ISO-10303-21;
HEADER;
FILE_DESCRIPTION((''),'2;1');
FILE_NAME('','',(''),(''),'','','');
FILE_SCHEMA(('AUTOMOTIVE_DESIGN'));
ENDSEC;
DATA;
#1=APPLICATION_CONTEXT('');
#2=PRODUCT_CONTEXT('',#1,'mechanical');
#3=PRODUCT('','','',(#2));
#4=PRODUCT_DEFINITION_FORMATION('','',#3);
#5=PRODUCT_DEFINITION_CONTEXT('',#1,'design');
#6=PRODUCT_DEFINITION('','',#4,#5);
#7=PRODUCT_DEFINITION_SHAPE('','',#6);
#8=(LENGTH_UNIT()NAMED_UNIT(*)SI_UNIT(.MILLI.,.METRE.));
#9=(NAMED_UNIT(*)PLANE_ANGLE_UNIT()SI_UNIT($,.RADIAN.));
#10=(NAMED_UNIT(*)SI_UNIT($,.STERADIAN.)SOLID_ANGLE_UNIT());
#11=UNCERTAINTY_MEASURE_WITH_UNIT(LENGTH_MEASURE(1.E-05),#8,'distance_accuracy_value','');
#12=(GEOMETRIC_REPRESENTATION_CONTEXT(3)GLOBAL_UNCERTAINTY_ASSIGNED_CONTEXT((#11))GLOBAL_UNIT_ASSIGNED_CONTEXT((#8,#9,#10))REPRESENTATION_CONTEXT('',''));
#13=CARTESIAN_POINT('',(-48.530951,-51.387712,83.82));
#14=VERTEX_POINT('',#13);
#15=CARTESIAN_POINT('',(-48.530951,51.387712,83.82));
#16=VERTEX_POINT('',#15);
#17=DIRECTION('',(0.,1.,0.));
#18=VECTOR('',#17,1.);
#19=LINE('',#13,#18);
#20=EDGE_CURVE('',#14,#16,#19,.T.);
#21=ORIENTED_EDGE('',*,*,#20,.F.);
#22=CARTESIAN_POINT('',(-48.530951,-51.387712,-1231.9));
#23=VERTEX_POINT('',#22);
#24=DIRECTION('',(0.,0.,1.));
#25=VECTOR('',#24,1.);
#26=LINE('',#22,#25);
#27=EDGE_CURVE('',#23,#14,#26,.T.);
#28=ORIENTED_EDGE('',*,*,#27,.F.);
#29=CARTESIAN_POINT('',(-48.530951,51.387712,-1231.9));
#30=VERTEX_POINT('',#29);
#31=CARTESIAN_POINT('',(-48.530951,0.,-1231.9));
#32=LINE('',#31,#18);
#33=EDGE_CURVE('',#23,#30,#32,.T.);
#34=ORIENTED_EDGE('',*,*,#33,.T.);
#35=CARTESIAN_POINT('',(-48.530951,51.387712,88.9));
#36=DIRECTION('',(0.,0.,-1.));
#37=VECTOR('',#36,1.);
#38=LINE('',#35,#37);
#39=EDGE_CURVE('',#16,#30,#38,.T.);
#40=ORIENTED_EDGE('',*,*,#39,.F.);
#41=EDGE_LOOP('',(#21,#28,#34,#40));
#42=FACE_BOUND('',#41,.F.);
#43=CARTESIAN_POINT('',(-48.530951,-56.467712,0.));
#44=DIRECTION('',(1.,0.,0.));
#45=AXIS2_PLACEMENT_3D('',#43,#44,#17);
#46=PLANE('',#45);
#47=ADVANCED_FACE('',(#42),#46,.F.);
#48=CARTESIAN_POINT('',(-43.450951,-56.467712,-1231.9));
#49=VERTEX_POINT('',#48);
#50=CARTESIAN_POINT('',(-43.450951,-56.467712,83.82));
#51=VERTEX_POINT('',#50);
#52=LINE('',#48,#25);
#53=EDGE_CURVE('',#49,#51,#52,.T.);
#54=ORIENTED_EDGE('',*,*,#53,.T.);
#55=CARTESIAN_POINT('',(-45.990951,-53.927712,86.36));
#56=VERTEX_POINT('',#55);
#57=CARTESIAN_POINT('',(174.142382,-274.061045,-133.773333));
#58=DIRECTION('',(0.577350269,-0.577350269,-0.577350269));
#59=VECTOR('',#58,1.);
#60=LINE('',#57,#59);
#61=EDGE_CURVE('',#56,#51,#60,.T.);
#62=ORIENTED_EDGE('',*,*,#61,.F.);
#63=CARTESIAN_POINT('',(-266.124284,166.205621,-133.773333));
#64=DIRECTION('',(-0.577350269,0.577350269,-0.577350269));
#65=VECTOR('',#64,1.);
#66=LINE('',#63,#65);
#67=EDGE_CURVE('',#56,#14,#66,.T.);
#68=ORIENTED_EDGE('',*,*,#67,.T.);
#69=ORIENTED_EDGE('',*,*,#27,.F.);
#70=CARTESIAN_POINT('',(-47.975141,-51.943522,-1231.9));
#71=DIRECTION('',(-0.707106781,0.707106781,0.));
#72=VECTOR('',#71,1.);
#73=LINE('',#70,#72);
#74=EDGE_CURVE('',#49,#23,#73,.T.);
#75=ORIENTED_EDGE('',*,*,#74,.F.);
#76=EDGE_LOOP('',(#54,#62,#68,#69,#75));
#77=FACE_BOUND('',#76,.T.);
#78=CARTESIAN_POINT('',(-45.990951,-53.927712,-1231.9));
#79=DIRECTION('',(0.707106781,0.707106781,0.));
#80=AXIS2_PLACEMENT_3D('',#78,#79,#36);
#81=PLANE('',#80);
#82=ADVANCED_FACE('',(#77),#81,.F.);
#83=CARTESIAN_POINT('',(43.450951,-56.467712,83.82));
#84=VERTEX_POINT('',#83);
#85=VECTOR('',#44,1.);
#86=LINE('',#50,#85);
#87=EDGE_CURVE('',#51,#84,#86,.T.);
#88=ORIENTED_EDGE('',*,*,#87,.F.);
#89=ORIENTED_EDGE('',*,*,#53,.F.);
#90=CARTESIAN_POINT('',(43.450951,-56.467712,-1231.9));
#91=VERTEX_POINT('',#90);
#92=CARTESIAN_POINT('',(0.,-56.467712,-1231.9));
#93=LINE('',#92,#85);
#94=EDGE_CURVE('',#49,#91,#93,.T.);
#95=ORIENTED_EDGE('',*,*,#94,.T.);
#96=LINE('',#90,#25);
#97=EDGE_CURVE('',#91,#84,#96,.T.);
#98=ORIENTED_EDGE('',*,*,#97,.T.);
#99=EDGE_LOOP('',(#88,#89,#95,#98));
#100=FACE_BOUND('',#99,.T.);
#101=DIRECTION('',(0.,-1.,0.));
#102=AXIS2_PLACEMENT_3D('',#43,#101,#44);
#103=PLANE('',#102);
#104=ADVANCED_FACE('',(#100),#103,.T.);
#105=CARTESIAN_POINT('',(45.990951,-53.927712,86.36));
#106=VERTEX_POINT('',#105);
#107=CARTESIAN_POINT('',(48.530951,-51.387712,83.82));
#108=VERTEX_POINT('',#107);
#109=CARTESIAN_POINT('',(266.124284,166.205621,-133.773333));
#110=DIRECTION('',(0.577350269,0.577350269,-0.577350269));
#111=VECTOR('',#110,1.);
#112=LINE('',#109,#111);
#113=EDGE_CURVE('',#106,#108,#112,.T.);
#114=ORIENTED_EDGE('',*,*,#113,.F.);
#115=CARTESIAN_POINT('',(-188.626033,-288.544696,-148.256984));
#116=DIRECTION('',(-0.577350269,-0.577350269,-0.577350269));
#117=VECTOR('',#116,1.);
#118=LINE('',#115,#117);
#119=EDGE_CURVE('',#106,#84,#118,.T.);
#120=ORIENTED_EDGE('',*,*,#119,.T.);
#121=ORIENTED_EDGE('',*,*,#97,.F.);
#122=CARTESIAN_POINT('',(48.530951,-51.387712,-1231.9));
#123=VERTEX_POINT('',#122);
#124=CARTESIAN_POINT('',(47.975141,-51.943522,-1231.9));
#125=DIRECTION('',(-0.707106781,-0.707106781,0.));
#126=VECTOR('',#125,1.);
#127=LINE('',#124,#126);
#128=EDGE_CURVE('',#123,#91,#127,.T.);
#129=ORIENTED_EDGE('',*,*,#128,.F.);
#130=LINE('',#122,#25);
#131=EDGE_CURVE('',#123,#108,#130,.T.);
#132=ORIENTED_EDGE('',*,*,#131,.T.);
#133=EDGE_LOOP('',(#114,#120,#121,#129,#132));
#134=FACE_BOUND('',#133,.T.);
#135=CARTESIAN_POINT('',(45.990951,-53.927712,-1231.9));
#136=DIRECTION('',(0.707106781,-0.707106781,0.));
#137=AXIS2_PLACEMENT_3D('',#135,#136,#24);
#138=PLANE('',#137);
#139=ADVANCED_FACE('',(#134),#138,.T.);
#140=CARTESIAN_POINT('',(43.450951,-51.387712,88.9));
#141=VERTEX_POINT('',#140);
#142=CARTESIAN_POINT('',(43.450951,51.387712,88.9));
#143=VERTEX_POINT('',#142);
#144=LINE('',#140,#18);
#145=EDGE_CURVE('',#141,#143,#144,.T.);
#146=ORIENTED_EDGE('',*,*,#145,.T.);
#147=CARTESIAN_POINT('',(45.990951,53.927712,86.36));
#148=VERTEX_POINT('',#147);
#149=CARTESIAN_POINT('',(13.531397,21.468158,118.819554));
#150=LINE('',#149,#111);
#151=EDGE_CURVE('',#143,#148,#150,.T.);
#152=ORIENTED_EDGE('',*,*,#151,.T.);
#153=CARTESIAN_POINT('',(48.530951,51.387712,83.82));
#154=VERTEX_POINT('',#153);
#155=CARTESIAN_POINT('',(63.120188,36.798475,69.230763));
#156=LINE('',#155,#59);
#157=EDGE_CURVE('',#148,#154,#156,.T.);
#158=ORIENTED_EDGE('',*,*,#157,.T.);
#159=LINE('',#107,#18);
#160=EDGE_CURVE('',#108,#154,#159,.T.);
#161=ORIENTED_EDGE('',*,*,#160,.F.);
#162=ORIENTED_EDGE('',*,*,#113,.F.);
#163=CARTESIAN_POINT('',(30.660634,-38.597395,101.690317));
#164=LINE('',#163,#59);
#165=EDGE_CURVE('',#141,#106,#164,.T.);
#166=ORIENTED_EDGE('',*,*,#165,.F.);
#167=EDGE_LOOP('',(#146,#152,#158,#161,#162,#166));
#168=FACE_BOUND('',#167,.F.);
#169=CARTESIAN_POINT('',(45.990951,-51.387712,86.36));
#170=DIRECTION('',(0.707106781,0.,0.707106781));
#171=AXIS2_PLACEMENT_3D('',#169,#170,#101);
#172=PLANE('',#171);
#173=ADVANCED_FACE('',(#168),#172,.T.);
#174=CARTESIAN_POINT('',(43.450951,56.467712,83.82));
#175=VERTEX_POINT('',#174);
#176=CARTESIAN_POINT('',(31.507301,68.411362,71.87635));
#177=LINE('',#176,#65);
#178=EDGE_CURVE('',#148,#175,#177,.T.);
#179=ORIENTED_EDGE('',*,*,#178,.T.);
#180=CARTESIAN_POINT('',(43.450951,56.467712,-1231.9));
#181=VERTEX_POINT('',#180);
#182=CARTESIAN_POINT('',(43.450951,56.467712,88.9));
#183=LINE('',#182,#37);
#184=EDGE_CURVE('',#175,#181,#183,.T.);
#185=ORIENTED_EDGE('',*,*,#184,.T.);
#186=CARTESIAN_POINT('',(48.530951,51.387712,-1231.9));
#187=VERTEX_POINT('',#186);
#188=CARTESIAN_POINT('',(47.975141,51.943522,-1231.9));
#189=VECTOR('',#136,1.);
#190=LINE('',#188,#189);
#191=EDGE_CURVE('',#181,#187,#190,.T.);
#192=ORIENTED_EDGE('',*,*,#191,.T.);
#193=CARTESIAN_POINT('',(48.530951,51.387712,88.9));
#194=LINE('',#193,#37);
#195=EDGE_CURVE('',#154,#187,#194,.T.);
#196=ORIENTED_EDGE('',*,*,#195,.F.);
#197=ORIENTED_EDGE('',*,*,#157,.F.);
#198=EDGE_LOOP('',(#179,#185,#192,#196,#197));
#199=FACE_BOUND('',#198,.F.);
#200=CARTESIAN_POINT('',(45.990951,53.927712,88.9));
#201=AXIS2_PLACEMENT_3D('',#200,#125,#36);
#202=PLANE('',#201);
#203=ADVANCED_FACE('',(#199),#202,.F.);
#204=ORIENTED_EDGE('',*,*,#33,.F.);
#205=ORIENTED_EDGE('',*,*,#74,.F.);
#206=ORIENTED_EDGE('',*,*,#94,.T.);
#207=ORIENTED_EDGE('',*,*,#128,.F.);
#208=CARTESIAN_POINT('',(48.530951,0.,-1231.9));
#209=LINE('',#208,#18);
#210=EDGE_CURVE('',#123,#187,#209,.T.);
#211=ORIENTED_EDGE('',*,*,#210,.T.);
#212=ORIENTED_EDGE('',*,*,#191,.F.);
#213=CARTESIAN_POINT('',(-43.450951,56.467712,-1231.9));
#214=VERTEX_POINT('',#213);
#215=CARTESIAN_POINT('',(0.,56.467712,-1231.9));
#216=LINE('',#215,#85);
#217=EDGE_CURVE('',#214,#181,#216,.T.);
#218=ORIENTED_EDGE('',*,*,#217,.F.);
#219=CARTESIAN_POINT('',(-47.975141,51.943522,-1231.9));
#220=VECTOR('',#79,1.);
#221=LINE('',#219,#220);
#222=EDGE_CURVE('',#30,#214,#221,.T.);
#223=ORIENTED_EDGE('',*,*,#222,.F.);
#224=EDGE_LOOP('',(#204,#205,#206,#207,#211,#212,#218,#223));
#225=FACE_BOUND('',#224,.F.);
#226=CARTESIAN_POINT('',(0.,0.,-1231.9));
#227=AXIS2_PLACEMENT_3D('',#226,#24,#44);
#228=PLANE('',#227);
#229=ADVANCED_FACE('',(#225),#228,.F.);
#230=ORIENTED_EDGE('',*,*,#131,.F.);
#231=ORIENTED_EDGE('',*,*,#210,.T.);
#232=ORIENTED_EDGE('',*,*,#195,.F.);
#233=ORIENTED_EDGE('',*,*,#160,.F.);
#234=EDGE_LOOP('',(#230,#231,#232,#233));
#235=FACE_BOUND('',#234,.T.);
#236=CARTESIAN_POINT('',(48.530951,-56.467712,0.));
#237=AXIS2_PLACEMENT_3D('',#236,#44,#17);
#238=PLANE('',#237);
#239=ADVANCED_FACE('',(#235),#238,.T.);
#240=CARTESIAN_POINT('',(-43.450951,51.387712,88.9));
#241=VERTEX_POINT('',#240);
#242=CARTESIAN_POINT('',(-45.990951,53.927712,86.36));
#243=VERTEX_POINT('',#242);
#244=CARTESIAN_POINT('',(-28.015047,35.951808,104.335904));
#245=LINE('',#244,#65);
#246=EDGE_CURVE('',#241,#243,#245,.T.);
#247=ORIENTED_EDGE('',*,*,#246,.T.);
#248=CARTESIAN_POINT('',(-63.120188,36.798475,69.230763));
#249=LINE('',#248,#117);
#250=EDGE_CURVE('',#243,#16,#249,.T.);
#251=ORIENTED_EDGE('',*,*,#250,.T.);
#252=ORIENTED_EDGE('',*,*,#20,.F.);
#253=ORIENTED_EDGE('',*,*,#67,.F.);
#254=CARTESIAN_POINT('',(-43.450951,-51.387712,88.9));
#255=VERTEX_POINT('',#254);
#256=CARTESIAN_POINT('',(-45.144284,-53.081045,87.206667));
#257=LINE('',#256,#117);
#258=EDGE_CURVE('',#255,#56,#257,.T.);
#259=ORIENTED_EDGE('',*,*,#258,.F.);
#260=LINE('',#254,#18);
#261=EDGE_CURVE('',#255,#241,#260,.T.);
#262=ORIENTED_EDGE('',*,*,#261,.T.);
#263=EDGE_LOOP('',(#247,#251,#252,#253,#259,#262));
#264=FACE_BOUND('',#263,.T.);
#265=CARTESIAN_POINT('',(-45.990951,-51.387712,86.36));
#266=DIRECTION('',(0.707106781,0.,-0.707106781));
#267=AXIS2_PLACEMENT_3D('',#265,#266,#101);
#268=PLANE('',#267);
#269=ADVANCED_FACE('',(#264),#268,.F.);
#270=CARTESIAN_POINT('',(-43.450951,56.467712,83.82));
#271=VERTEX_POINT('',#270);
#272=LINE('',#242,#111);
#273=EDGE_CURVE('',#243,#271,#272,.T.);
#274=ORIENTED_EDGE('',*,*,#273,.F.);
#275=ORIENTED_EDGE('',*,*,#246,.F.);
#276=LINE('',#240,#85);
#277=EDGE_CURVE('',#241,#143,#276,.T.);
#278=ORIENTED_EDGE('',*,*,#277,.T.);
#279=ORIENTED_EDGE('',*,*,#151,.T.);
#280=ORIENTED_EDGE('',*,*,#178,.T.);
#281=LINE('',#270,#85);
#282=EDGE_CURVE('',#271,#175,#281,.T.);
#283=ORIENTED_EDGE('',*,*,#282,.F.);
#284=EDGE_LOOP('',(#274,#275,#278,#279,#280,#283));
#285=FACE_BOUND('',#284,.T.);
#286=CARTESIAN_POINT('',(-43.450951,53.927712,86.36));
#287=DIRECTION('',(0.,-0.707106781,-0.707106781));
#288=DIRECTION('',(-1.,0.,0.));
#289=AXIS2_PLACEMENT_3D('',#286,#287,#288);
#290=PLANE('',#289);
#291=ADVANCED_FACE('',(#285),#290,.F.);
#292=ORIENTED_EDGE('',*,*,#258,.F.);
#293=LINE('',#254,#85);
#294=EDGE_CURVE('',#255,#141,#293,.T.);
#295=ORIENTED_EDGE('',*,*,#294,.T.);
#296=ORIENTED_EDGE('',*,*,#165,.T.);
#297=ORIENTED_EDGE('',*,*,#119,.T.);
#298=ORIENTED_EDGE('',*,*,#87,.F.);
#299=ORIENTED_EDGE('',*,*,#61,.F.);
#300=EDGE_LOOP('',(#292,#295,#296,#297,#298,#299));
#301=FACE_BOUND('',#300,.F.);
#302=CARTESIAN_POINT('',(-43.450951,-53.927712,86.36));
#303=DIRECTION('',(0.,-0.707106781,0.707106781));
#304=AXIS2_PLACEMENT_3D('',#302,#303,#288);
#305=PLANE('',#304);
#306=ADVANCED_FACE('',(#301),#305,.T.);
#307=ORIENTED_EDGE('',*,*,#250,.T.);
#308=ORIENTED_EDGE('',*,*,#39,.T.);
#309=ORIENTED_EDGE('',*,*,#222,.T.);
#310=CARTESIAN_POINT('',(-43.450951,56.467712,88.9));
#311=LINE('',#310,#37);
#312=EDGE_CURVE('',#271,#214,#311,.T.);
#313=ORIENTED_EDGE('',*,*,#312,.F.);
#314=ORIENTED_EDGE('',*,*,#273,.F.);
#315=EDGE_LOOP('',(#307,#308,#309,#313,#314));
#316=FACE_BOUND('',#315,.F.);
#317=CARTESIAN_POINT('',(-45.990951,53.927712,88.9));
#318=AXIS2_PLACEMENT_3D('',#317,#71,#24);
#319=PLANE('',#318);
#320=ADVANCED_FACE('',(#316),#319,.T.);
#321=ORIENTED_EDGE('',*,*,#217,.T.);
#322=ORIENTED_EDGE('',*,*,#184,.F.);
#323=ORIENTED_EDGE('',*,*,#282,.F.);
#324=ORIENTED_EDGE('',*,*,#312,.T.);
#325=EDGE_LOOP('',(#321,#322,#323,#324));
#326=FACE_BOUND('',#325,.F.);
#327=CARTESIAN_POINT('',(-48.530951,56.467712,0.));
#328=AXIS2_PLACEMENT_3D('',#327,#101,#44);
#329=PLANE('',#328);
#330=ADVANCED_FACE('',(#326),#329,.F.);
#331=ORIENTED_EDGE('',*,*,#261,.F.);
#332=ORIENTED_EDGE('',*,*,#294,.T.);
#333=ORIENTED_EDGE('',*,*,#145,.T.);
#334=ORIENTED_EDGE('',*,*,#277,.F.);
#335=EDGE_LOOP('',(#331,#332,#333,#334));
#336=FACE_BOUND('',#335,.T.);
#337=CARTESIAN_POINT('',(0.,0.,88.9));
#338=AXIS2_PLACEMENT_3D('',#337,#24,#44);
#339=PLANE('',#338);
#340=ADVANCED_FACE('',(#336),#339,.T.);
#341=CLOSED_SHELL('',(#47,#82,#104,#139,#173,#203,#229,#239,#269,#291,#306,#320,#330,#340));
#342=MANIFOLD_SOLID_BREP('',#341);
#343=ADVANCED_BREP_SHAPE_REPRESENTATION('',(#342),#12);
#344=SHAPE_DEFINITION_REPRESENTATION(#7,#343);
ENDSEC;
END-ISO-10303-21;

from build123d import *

# Parameters (mm, degrees)
F0_W          = 97.061902
F0_H          = 112.935424
F1_DEPTH      = 88.9
F1_DEPTH_BACK = 1231.9
F2_SIZE       = 5.08
F3_SIZE       = 5.08
F4_SIZE       = 5.08
F5_SIZE       = 5.08
F6_SIZE       = 5.08
F7_SIZE       = 5.08
F8_SIZE       = 5.08
F9_SIZE       = 5.08


with BuildPart() as f1:
    # F0 (on Top) → F1 (new body, two sides)
    with BuildSketch(Plane.XY) as f1_sk:
        Rectangle(F0_W, F0_H)
    extrude(amount=F1_DEPTH)
    extrude(f1_sk.sketch, amount=-F1_DEPTH_BACK)

    # F2
    f2_edges = [f1.edges().sort_by_distance(p)[0] for p in [
        (48.530951, -56.467712, -571.5),
    ]]
    chamfer(f2_edges, length=F2_SIZE)

    # F3
    f3_edges = [f1.edges().sort_by_distance(p)[0] for p in [
        (-48.530951, -56.467712, -571.5),
    ]]
    chamfer(f3_edges, length=F3_SIZE)

    # F4
    f4_edges = [f1.edges().sort_by_distance(p)[0] for p in [
        (-48.530951, 56.467712, -571.5),
    ]]
    chamfer(f4_edges, length=F4_SIZE)

    # F5
    f5_edges = [f1.edges().sort_by_distance(p)[0] for p in [
        (48.530951, 56.467712, -571.5),
    ]]
    chamfer(f5_edges, length=F5_SIZE)

    # F6
    f6_edges = [f1.edges().sort_by_distance(p)[0] for p in [
        (0, 56.467712, 88.9),
    ]]
    chamfer(f6_edges, length=F6_SIZE)

    # F7
    f7_edges = [f1.edges().sort_by_distance(p)[0] for p in [
        (48.530951, 0, 88.9),
    ]]
    chamfer(f7_edges, length=F7_SIZE)

    # F8
    f8_edges = [f1.edges().sort_by_distance(p)[0] for p in [
        (0, -56.467712, 88.9),
    ]]
    chamfer(f8_edges, length=F8_SIZE)

    # F9
    f9_edges = [f1.edges().sort_by_distance(p)[0] for p in [
        (-48.530951, 0, 88.9),
    ]]
    chamfer(f9_edges, length=F9_SIZE)


solid = f1.part
